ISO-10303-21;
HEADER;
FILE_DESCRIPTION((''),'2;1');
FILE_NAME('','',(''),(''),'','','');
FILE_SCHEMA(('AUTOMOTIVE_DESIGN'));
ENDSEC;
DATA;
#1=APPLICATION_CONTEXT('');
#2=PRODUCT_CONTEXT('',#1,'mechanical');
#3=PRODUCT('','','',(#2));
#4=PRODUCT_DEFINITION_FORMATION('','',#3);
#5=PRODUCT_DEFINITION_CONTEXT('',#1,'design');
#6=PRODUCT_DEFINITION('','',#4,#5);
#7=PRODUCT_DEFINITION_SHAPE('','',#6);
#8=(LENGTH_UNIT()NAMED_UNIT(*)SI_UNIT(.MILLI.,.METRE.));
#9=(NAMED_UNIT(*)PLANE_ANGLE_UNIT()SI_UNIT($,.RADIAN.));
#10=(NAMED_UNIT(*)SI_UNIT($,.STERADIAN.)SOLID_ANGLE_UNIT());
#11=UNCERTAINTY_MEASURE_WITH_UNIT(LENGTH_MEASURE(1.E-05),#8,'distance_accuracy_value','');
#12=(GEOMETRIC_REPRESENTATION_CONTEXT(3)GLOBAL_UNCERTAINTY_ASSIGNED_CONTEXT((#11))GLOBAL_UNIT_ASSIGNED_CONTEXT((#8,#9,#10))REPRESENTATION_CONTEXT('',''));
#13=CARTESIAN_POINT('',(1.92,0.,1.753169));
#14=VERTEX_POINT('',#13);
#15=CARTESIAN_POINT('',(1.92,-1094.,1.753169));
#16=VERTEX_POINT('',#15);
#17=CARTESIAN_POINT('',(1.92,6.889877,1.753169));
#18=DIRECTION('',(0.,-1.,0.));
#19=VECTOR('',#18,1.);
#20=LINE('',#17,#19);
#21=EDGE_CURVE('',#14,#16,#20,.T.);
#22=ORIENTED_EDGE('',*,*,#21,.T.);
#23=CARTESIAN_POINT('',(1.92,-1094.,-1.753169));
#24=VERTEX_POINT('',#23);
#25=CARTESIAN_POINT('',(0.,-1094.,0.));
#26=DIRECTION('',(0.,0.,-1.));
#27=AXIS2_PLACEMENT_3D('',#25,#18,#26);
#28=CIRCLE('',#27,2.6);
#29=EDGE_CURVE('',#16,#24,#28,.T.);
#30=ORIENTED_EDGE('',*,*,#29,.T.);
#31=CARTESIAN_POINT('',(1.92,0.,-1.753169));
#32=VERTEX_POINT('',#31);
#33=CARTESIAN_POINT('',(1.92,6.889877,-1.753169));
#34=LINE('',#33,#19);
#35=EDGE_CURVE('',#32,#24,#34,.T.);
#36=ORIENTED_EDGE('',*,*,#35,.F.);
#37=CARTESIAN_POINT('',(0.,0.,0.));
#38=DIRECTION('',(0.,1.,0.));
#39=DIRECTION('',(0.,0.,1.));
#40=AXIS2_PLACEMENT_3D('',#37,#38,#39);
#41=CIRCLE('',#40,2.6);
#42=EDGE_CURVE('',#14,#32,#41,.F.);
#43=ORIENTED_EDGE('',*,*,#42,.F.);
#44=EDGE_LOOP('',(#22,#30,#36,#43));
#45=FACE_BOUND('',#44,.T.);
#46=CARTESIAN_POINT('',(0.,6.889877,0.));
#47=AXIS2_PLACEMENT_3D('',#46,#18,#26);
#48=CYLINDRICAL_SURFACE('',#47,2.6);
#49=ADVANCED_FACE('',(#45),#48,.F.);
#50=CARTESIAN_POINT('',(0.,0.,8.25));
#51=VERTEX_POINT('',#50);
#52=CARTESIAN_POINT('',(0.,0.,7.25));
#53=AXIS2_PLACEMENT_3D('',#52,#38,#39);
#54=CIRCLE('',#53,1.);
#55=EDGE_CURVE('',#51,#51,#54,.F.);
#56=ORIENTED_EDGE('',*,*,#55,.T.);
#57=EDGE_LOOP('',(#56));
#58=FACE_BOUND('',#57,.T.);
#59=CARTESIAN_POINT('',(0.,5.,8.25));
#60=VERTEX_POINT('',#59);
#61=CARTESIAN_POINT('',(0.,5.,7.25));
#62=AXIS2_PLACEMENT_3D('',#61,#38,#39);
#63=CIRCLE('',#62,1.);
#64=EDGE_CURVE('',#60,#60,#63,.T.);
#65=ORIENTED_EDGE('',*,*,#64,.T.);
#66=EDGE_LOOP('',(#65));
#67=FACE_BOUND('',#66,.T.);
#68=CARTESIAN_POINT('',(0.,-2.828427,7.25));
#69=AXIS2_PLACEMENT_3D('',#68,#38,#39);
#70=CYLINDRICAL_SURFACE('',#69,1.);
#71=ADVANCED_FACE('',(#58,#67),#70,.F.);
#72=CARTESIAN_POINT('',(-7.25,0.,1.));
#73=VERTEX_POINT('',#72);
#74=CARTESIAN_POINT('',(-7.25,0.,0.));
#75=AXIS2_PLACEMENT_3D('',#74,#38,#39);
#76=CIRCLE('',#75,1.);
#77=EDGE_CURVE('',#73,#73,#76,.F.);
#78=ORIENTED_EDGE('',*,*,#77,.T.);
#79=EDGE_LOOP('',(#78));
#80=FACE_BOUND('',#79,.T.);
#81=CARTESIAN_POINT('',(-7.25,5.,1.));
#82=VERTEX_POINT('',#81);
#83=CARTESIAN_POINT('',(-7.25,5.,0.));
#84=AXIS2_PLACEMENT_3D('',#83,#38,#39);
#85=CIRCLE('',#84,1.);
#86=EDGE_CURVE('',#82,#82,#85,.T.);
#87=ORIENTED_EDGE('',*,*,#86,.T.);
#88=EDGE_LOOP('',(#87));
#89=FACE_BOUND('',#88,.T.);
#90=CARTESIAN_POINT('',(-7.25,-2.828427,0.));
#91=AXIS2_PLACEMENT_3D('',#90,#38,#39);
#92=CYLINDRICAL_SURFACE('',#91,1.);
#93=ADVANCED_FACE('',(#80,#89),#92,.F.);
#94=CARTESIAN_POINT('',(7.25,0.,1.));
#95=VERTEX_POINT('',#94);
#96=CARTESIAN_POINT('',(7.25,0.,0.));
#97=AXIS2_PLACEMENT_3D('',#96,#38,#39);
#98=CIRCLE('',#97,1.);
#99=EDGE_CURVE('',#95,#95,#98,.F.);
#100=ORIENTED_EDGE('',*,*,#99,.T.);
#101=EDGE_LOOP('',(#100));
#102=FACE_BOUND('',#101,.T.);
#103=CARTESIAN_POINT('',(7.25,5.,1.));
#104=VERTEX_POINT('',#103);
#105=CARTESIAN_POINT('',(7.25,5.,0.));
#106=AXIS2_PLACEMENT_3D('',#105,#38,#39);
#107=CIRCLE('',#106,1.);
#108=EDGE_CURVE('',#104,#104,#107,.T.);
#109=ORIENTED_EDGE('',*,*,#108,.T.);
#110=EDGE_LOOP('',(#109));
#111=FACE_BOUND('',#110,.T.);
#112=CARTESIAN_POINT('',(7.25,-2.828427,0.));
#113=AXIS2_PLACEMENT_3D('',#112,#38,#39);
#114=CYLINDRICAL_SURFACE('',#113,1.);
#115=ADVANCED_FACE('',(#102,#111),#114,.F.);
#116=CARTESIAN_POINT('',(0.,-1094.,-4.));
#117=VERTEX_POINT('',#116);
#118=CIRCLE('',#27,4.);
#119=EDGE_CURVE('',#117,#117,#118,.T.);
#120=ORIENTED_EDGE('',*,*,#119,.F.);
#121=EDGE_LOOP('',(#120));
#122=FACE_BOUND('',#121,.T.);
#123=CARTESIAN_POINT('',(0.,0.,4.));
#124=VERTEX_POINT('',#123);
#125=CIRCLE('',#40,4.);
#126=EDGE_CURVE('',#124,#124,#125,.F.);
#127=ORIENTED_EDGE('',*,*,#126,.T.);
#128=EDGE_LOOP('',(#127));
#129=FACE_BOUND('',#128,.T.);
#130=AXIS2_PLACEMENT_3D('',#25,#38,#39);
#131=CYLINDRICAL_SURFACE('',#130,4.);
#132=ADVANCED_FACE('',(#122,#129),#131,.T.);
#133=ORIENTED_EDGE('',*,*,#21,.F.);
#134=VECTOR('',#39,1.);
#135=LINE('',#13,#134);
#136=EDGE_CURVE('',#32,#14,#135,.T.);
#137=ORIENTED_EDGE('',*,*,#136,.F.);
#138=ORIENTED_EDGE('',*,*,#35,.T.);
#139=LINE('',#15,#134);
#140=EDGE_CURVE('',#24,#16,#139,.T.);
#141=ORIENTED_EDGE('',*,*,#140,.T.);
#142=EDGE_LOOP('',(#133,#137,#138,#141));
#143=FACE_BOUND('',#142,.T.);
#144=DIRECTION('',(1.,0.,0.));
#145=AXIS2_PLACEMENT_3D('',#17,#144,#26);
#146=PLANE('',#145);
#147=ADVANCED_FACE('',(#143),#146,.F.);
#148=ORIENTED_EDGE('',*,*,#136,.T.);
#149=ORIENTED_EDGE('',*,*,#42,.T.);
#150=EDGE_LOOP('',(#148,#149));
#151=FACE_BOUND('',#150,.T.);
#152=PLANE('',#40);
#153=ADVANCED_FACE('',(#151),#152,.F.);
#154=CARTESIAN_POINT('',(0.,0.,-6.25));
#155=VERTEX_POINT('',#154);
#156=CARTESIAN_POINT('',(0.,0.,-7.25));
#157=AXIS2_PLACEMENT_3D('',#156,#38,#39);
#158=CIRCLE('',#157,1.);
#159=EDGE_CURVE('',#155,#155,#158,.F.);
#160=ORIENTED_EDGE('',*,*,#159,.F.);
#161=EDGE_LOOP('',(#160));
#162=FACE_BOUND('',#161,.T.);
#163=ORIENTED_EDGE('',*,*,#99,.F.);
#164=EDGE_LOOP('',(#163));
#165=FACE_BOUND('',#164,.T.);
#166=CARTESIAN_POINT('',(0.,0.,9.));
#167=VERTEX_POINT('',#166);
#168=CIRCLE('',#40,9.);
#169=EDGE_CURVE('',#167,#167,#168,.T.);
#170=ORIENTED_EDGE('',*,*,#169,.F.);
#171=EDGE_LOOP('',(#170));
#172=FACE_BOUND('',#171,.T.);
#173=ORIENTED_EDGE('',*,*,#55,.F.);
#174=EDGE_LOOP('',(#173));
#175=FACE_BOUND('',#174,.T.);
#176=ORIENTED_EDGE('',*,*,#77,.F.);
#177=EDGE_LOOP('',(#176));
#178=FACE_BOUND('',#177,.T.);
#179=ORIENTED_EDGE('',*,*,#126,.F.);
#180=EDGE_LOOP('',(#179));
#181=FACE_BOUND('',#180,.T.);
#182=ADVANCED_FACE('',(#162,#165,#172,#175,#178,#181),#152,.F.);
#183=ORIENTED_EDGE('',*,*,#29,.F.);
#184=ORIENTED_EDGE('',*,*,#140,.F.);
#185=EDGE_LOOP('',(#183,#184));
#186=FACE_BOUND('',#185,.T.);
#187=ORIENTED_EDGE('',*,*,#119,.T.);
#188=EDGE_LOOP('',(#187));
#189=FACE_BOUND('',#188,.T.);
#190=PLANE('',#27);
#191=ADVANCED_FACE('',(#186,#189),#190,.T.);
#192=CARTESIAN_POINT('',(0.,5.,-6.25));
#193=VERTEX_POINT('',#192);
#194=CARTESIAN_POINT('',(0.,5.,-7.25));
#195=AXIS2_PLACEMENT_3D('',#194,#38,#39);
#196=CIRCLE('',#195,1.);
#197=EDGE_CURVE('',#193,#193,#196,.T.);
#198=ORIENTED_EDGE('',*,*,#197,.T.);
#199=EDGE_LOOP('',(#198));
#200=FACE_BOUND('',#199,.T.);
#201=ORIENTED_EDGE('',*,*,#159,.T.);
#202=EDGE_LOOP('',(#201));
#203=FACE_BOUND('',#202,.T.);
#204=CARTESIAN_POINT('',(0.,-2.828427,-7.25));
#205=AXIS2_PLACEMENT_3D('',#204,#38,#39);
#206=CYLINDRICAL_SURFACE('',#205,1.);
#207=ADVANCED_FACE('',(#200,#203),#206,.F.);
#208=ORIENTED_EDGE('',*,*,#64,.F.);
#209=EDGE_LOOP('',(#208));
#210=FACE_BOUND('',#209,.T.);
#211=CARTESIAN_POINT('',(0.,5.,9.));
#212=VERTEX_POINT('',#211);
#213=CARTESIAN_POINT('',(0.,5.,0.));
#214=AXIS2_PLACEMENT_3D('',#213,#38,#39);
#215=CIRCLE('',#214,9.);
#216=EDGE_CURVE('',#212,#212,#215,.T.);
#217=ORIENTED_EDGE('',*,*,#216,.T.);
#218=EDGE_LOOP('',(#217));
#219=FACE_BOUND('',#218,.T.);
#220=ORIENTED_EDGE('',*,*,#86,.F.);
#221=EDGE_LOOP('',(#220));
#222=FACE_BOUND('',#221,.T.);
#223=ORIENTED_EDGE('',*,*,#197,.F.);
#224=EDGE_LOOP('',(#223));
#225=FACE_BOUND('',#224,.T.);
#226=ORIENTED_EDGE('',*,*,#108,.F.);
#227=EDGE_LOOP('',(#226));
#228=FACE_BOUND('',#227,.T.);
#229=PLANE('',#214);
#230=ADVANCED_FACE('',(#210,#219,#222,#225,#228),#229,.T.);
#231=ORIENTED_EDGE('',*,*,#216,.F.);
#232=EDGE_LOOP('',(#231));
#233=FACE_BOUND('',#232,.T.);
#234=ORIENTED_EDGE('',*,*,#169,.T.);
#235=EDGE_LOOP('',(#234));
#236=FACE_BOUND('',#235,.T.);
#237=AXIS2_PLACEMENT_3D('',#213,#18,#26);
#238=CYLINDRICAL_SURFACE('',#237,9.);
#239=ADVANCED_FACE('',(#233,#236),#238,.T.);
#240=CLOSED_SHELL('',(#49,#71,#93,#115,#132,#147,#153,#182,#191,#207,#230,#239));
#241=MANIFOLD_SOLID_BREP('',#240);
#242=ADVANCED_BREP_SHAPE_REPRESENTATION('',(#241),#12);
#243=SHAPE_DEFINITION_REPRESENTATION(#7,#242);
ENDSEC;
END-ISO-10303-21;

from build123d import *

# Parameters (mm, degrees)
SKETCH1_R                = 9
BRACKETMOUNT_DEPTH       = 5
SKETCH2_R                = 1
BRACKET_MOUNTHOLES_DEPTH = 5
SKETCH3_R                = 4
STEPPERSLEEVE_DEPTH      = 1094
ORIENTATIONNUB_DEPTH     = 1094


with BuildPart() as part:
    # Sketch1 → BracketMount (new body)
    with BuildSketch(Plane(origin=(0, 0, 0), x_dir=(1, 0, 0), z_dir=(0, 1, 0))):
        with Locations(Location((0, 0, 0), (0, 0, 270))):
            Circle(SKETCH1_R)
    extrude(amount=BRACKETMOUNT_DEPTH)

    # Sketch2 → Bracket-MountHoles (cut)
    with BuildSketch(Plane(origin=(0, 5, 0), x_dir=(1, 0, 0), z_dir=(0, 1, 0))):
        with Locations(Location((0, 7.25, 0), (0, 0, 270))):
            Circle(SKETCH2_R)
        with Locations(Location((7.25, 0, 0), (0, 0, 270))):
            Circle(SKETCH2_R)
        with Locations(Location((0, -7.25, 0), (0, 0, 270))):
            Circle(SKETCH2_R)
        with Locations(Location((-7.25, 0, 0), (0, 0, 270))):
            Circle(SKETCH2_R)
    extrude(amount=-BRACKET_MOUNTHOLES_DEPTH, mode=Mode.SUBTRACT)

    # Sketch3 → StepperSleeve (add)
    with BuildSketch(Plane.XZ):
        with Locations(Location((0, 0, 0), (0, 0, 90))):
            Circle(SKETCH3_R)
    extrude(amount=STEPPERSLEEVE_DEPTH)

    # Sketch5 → OrientationNub (cut)
    with BuildSketch(Plane.XZ.offset(1094)):
        with BuildLine():
            Line((1.92, 1.75316856), (1.92, -1.75316856))
            ThreePointArc((1.92, -1.75316856), (-2.6, 0), (1.92, 1.75316856))
        make_face()
    extrude(amount=-ORIENTATIONNUB_DEPTH, mode=Mode.SUBTRACT)


solid = part.part
